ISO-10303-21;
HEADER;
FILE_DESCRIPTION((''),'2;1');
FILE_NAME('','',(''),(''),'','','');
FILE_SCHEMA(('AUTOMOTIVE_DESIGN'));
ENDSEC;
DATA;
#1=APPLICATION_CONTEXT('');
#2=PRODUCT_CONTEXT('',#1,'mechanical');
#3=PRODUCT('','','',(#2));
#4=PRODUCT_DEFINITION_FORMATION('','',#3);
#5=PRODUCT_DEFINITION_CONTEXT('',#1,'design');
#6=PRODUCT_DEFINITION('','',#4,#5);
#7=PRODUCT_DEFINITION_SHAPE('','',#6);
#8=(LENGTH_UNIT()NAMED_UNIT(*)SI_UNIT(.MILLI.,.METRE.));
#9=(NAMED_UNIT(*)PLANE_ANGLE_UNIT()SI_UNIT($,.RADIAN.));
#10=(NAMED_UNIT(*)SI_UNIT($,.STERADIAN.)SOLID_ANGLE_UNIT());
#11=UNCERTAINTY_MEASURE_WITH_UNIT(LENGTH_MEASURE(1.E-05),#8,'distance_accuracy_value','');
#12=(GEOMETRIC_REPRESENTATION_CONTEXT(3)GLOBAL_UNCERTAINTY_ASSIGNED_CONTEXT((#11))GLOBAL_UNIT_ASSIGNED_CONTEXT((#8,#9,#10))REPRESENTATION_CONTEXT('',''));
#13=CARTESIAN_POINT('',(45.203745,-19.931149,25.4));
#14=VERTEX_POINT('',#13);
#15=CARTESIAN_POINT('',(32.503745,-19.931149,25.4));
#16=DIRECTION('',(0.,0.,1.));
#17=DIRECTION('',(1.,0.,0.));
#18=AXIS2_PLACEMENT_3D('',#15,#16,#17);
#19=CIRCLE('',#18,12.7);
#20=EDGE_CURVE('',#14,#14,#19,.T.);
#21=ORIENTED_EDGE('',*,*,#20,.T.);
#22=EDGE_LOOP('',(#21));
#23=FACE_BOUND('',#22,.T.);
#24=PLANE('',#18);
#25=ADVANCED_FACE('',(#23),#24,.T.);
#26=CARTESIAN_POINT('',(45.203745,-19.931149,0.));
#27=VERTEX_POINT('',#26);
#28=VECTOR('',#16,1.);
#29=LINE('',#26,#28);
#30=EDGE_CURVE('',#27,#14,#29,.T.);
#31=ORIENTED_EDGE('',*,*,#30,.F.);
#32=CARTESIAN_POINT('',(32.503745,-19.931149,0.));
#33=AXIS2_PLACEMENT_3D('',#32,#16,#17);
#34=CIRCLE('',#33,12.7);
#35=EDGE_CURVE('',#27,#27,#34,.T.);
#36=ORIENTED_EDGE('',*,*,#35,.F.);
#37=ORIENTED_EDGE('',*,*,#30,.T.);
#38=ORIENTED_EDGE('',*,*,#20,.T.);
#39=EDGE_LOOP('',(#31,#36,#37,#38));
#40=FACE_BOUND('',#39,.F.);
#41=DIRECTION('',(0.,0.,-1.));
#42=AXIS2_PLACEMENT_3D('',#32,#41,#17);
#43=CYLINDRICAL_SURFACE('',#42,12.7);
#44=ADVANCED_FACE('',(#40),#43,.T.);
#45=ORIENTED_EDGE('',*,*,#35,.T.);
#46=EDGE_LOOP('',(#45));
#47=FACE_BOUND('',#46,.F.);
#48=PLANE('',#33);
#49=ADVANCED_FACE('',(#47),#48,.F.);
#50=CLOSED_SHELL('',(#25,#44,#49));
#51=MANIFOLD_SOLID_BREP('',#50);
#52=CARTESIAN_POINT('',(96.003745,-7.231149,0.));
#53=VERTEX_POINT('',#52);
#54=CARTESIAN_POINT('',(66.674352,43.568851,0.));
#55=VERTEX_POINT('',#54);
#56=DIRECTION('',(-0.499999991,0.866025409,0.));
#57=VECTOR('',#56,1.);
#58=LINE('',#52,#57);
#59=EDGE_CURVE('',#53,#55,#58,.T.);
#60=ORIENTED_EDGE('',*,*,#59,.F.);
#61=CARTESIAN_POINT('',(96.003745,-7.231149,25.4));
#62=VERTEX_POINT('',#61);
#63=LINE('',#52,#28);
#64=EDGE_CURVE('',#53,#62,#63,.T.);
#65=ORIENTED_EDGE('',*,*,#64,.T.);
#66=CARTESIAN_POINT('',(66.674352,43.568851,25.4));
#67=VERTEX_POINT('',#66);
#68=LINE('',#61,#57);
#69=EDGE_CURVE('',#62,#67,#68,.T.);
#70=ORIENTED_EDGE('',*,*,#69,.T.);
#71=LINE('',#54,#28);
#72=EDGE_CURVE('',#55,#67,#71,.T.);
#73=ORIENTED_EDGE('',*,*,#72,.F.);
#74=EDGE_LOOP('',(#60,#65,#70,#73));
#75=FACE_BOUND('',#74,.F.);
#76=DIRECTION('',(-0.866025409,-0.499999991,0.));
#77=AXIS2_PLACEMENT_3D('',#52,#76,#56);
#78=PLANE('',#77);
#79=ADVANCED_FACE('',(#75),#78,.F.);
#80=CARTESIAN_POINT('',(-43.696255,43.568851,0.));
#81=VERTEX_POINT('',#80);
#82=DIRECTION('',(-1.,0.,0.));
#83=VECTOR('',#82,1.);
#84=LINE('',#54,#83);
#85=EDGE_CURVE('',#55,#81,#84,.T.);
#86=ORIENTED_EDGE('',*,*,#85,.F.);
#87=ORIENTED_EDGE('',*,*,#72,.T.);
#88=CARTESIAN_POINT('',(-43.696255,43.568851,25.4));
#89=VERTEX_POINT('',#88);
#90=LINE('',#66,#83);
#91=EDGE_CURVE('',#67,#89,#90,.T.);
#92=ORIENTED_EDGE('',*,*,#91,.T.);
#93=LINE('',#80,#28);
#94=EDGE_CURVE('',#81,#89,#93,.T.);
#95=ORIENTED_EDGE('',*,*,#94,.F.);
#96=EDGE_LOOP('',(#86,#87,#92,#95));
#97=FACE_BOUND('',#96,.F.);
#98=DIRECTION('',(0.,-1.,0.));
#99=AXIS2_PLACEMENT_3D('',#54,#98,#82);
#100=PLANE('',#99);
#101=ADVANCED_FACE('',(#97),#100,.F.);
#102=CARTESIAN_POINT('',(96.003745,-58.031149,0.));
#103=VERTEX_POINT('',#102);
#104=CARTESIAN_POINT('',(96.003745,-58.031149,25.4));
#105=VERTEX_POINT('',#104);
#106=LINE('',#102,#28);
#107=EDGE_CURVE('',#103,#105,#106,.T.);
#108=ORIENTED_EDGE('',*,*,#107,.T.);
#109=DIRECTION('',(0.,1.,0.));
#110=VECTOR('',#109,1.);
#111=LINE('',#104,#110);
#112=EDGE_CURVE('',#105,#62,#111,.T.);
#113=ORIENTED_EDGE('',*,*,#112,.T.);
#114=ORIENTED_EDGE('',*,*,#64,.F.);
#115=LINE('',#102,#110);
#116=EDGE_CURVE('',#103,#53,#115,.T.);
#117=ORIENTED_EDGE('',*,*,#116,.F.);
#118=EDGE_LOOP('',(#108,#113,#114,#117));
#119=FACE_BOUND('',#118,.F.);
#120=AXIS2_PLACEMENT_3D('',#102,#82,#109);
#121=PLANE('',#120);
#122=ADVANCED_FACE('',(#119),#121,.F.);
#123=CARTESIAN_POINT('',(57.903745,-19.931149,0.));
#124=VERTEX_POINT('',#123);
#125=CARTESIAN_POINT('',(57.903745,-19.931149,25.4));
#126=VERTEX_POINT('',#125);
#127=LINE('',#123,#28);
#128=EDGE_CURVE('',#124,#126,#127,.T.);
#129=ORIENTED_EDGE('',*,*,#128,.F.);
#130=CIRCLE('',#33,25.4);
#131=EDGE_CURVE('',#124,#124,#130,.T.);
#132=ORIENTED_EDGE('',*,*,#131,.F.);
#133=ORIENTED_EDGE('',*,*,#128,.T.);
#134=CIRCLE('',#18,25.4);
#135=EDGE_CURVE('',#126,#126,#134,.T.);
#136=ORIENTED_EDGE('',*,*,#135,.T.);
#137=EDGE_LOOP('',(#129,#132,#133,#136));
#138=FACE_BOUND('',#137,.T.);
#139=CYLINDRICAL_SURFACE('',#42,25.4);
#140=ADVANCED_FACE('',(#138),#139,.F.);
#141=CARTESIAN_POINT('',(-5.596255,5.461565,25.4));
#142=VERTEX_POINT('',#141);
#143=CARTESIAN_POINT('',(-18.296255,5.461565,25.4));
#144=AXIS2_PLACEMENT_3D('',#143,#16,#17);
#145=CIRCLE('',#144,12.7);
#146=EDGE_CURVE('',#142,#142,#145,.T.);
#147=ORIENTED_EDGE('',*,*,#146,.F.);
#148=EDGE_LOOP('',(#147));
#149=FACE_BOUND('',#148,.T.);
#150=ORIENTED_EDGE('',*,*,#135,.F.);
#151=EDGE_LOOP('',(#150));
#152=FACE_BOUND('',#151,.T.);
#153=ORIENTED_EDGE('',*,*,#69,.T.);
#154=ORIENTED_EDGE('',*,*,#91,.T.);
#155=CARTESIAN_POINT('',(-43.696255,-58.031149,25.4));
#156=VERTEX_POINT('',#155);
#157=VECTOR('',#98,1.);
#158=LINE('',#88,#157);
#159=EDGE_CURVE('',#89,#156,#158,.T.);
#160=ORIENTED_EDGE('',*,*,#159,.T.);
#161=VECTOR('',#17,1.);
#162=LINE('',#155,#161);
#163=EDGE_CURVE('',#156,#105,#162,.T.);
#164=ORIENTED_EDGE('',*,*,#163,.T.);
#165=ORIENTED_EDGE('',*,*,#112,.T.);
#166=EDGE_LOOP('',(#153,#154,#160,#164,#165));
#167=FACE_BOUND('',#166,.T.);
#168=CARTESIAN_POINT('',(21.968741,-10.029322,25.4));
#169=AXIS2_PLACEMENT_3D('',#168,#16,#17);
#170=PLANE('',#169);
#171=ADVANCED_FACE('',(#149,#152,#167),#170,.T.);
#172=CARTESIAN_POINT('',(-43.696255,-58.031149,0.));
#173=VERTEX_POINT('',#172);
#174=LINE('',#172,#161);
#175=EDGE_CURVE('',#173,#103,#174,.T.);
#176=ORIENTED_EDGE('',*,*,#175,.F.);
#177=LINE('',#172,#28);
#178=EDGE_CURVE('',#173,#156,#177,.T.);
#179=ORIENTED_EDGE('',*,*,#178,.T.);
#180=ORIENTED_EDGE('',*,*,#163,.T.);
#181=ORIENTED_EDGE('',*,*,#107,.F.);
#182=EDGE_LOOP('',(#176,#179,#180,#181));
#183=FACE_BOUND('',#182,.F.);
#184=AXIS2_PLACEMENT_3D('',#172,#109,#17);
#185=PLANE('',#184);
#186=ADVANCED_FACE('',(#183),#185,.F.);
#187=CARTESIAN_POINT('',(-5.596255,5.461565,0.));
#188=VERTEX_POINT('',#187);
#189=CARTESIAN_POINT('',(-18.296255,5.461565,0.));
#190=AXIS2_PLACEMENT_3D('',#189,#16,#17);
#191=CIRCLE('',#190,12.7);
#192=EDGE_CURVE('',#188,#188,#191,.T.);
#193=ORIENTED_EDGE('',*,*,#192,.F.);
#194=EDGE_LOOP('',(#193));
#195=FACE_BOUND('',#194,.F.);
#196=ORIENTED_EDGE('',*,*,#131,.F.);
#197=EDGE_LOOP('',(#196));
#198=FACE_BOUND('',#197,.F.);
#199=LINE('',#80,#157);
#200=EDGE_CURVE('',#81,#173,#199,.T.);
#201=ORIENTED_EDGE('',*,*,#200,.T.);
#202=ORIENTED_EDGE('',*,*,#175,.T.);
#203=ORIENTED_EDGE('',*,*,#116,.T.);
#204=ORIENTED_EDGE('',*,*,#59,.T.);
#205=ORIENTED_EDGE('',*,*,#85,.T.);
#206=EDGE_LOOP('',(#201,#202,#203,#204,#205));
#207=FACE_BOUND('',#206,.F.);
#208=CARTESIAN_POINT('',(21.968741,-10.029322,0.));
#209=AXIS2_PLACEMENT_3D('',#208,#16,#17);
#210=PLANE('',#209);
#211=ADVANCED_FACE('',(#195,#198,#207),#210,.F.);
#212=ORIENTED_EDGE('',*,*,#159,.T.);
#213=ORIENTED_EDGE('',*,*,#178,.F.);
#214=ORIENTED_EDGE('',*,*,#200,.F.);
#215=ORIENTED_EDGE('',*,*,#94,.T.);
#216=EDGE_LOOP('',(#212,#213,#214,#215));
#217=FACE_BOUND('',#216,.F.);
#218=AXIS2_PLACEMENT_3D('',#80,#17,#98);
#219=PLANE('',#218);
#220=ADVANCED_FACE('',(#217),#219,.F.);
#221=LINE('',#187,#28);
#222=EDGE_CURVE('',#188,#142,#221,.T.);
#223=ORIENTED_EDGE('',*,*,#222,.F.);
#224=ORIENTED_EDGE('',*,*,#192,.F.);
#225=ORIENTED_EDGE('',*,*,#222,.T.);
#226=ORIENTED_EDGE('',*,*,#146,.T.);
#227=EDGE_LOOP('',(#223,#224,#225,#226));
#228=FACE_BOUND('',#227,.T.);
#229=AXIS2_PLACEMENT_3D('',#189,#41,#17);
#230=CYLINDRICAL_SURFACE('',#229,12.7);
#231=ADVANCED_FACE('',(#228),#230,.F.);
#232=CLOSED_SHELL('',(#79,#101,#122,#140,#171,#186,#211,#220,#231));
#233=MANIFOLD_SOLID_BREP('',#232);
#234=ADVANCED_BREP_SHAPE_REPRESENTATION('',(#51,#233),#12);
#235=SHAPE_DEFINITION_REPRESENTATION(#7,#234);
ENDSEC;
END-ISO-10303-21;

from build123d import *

# Parameters (mm, degrees)
F0_R     = 25.4
F0_R_2   = 12.7
F1_DEPTH = 25.4


with BuildPart() as f1:
    # F0 (on Top) → F1 (new body)
    with BuildSketch(Plane.XY):
        Polygon((-43.696255, 5.461565), (-43.696255, -58.031149), (32.503745, -58.031149), (96.003745, -58.031149), (96.003745, -7.231149), (66.674352, 43.568851), (-43.696255, 43.568851), align=None)
        with Locations((32.503745, -19.931149)):
            Circle(F0_R, mode=Mode.SUBTRACT)
        with Locations((-18.296255, 5.461565)):
            Circle(F0_R_2, mode=Mode.SUBTRACT)
        with Locations((32.503745, -19.931149)):
            Circle(F0_R_2)
    extrude(amount=F1_DEPTH)


solid = f1.part
